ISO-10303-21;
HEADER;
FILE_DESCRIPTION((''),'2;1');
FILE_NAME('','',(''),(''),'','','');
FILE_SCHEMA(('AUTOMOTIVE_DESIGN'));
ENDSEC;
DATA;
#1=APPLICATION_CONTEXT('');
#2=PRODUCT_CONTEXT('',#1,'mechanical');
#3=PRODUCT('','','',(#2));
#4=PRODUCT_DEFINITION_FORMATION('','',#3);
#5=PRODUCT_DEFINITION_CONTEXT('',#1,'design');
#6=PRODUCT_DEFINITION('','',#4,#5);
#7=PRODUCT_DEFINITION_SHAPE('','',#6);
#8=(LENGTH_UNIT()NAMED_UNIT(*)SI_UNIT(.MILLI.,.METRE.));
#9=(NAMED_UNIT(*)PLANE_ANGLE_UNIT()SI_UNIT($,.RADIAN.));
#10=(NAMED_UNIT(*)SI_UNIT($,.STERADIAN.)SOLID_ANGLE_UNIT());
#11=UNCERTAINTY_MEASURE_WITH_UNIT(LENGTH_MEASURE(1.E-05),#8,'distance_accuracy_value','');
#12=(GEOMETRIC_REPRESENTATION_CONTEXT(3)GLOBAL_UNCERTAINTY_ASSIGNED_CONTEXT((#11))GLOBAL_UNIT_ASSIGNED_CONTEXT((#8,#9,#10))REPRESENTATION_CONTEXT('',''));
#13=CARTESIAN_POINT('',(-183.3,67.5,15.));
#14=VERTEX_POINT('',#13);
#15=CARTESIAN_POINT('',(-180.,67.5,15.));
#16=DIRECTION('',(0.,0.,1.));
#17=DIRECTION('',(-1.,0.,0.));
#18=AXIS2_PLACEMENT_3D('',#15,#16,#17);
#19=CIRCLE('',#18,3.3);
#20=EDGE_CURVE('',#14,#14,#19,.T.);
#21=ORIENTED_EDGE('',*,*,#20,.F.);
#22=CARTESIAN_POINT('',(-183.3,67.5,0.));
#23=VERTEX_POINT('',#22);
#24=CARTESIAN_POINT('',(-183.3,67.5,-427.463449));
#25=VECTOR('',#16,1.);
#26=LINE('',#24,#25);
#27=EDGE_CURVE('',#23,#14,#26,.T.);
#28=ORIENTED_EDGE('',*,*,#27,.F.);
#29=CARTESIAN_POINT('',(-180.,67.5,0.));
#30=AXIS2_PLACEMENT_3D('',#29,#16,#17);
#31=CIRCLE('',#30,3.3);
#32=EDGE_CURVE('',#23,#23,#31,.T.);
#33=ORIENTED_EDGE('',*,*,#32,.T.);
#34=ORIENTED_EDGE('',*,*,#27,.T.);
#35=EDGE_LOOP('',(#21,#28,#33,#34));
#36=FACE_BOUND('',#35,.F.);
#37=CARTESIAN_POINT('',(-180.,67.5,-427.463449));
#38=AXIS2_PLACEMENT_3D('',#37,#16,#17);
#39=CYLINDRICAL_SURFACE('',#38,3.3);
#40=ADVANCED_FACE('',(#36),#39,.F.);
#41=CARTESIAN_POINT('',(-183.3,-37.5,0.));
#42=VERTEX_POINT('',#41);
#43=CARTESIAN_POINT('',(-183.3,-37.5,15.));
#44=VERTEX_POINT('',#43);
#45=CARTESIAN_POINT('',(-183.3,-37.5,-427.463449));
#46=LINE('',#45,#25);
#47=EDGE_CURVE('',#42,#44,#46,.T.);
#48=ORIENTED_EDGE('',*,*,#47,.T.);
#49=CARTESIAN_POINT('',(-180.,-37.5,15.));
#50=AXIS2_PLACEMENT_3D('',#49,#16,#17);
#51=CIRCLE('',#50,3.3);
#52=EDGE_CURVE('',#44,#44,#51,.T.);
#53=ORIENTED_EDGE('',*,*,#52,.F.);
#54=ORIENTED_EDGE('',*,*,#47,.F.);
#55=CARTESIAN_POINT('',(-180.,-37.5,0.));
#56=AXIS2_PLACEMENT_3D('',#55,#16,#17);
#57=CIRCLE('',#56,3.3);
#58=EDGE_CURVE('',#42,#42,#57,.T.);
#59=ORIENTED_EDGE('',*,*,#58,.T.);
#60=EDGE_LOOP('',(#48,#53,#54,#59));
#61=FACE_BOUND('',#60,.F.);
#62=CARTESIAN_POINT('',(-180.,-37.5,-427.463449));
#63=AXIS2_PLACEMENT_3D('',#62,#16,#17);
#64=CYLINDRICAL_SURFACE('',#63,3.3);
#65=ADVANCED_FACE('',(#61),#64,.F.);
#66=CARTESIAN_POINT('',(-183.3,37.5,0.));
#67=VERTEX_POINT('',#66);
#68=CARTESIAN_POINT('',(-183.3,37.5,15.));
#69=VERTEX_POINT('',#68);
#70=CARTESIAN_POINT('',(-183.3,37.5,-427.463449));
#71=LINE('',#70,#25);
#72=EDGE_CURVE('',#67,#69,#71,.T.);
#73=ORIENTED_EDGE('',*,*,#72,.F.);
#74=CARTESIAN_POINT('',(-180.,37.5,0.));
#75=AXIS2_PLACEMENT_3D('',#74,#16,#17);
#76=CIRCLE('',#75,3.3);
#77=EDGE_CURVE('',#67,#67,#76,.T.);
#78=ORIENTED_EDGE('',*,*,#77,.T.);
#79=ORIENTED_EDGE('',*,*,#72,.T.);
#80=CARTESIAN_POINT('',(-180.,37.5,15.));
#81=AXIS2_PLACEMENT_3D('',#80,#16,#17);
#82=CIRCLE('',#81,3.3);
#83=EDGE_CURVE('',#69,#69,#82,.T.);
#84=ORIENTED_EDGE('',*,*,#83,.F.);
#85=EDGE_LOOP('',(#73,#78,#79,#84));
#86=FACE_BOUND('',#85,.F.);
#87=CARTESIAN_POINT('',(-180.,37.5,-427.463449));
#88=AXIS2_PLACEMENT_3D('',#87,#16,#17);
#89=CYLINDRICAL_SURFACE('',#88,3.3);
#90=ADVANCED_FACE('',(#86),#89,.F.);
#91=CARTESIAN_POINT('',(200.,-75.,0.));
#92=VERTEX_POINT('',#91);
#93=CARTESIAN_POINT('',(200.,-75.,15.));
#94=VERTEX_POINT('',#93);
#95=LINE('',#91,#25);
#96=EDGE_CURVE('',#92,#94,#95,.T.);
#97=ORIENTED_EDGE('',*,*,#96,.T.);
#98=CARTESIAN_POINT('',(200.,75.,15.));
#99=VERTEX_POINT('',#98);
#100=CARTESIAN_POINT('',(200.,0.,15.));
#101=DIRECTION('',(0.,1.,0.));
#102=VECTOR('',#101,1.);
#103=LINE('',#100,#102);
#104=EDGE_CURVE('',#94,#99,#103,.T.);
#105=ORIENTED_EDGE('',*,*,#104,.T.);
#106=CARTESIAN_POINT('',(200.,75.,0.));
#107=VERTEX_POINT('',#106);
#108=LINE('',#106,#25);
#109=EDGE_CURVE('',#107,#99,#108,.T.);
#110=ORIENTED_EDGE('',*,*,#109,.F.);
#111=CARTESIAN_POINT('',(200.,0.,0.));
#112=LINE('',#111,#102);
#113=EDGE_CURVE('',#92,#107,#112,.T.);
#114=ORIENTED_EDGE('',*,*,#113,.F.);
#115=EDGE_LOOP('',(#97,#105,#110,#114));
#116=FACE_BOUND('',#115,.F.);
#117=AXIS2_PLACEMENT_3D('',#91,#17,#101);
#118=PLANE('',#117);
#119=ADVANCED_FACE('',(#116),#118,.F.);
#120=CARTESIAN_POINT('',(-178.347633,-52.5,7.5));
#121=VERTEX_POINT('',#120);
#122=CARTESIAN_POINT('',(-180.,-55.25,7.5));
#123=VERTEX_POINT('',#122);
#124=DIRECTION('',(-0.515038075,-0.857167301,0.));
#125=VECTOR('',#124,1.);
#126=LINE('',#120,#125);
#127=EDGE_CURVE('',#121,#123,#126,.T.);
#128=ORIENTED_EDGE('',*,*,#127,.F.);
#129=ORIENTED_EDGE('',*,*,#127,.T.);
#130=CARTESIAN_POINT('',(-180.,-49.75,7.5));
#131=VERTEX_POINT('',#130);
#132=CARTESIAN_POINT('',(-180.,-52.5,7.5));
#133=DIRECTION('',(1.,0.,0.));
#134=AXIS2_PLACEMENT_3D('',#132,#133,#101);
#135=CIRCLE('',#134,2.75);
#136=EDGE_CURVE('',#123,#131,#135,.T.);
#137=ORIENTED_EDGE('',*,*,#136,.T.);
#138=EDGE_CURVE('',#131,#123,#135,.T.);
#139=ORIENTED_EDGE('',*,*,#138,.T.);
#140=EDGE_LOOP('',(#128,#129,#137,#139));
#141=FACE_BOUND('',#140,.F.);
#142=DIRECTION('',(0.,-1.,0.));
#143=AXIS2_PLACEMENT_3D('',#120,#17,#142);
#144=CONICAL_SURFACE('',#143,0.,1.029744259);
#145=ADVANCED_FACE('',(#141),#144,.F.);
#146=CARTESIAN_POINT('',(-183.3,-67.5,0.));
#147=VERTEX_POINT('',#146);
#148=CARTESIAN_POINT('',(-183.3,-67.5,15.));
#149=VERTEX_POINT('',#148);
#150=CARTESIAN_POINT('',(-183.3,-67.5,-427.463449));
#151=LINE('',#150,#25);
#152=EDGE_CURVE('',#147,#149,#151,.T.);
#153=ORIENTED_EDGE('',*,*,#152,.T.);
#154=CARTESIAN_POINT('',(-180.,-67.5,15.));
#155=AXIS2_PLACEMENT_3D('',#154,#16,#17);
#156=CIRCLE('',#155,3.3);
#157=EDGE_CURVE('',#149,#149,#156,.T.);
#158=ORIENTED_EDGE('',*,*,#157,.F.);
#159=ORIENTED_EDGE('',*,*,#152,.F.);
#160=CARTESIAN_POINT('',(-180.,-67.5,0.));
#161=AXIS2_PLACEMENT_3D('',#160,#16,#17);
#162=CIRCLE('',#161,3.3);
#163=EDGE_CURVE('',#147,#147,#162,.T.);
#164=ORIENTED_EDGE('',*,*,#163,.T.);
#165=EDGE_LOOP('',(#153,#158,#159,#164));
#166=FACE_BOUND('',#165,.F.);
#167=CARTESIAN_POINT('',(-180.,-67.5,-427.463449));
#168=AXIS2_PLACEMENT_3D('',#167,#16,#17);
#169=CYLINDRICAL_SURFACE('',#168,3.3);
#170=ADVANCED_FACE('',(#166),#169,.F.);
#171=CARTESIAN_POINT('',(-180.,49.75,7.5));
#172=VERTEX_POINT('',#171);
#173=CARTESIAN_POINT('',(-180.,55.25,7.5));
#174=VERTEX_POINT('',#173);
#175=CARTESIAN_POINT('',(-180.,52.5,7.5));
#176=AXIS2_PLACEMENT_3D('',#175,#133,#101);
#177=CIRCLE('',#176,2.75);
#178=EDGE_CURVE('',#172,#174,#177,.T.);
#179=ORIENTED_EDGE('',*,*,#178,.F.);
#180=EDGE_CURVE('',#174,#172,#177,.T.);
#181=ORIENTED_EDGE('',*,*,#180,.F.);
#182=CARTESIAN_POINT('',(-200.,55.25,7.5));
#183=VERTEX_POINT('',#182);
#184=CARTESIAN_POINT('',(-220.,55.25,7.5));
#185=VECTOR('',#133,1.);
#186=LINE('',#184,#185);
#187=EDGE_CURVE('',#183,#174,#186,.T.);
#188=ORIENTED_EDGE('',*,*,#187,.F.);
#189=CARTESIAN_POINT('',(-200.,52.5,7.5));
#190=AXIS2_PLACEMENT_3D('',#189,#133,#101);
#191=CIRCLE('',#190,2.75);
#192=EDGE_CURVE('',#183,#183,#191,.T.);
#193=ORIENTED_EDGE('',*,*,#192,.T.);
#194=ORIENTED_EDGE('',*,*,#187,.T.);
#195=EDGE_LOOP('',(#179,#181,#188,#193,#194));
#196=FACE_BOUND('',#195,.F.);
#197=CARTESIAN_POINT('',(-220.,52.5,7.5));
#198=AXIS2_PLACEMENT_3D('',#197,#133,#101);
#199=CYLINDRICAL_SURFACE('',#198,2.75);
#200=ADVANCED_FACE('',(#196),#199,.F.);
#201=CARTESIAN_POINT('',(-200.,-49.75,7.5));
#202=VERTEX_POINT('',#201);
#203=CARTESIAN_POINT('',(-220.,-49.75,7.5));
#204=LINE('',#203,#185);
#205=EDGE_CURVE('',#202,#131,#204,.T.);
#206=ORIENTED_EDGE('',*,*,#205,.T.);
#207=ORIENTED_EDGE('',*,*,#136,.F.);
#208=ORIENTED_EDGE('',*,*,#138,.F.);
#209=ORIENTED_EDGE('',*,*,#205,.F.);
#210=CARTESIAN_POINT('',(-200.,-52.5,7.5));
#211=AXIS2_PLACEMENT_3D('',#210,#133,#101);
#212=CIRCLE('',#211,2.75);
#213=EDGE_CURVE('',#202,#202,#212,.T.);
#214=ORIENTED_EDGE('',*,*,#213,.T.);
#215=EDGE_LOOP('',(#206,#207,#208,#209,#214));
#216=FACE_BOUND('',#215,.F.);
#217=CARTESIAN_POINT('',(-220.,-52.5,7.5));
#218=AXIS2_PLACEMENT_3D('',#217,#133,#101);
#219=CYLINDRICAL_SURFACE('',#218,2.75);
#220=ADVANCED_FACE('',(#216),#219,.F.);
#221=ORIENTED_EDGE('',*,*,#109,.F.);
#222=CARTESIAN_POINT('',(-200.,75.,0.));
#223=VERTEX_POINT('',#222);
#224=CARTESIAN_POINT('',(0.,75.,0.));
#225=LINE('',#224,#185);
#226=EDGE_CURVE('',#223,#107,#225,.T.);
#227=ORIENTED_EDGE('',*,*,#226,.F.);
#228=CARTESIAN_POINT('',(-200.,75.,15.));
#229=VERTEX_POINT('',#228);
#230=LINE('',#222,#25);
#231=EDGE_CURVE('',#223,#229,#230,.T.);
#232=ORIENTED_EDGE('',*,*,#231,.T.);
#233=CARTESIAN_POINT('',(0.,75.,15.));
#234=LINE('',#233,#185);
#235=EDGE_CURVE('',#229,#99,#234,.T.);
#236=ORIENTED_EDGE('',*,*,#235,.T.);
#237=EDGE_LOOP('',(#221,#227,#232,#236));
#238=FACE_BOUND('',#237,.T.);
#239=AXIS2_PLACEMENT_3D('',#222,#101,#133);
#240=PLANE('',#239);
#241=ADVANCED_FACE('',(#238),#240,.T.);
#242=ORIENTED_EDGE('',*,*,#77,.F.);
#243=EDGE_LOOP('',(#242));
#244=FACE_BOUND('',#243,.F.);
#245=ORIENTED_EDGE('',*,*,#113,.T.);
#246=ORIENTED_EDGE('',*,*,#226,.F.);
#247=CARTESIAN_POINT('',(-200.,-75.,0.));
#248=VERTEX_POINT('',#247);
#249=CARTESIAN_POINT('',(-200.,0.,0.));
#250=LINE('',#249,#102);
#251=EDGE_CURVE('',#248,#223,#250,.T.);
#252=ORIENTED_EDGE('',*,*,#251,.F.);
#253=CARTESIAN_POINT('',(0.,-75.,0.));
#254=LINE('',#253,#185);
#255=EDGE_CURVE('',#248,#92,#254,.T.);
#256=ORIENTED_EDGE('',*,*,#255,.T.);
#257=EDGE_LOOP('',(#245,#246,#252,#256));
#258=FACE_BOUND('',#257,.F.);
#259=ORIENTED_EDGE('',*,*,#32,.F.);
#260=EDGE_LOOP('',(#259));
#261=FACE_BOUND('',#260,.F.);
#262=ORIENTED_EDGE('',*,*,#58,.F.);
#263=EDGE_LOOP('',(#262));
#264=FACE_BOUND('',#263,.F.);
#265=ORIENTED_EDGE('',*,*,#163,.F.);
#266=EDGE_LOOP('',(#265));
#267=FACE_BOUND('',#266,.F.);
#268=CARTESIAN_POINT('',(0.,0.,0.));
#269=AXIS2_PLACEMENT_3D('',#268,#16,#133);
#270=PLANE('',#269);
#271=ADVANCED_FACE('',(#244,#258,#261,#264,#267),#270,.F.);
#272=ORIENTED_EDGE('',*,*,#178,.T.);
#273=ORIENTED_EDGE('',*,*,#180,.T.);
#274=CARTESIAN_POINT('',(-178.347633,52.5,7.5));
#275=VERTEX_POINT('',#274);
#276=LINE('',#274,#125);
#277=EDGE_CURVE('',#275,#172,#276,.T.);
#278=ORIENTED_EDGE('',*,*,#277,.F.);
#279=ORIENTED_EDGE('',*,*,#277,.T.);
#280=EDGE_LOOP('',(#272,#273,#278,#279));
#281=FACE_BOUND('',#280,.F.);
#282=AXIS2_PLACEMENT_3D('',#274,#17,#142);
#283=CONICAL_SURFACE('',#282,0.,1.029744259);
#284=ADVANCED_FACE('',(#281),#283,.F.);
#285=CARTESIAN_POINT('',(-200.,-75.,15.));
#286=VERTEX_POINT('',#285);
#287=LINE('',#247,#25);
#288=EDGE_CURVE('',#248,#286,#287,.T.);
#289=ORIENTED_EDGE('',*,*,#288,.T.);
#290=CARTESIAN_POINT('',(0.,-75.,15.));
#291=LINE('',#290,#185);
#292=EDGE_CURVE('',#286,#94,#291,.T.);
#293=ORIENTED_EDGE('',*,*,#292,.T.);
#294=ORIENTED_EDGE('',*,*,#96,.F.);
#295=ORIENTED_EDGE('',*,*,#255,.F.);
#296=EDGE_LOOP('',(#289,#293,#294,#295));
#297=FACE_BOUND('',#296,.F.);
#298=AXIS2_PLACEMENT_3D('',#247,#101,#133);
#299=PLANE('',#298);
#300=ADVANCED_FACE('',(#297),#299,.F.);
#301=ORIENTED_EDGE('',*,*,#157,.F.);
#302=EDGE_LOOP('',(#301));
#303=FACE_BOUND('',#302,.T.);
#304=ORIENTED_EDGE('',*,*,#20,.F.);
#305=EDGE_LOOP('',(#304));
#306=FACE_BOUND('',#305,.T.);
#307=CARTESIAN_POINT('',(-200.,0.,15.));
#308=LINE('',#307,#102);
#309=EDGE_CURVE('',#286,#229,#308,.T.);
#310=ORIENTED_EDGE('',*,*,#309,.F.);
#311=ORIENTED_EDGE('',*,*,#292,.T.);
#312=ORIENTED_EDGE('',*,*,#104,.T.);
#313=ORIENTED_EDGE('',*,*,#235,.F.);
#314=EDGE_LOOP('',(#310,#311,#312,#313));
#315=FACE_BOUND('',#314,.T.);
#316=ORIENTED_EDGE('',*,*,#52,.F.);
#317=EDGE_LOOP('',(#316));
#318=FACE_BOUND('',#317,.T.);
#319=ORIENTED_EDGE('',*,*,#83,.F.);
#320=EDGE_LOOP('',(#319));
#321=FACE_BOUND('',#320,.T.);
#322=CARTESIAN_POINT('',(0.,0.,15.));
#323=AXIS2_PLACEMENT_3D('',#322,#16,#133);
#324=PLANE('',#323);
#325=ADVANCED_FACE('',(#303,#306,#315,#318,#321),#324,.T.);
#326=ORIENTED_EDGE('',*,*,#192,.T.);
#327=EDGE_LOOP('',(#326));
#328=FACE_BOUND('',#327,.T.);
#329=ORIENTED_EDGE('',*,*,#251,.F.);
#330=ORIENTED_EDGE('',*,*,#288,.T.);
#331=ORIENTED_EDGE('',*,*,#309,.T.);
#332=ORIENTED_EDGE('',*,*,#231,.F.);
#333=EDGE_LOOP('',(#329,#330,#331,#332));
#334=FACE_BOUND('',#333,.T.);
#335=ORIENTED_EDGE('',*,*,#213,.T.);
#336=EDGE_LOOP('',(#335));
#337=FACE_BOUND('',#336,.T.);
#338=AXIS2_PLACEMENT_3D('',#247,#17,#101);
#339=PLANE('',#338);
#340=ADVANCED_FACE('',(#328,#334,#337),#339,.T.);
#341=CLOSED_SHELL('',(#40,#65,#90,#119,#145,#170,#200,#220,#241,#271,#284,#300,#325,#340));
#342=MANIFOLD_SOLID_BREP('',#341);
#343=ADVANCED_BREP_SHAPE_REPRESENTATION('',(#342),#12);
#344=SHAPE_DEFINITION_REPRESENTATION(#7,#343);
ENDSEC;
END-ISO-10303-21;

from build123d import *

# Parameters (mm, degrees)
F0_W     = 400
F0_H     = 150
F1_DEPTH = 15
F2_D     = 6.6
F4_D     = 5.5
F4_DEPTH = 20
F4_TIP   = 1.6523667023


with BuildPart() as f1:
    # F0 (on Top) → F1 (new body)
    with BuildSketch(Plane.XY):
        Rectangle(F0_W, F0_H)
    extrude(amount=F1_DEPTH)

    # F2 (through all)
    with Locations(Plane(origin=(0, 0, 0), x_dir=(1, 0, 0), z_dir=(0, 0, -1))):
        with Locations((-180, -37.5), (-180, -67.5), (-180, 37.5), (-180, 67.5)):
            Hole(F2_D / 2)

    # F4
    with Locations(Plane(origin=(-200, 0, 0), x_dir=(0, -1, 0), z_dir=(-1, 0, 0))):
        with Locations((-52.5, 7.5), (52.5, 7.5)):
            Hole(F4_D / 2, depth=F4_DEPTH)
            with Locations((0, 0, -(F4_DEPTH + F4_TIP / 2))):  # 118° drill point
                Cone(0, F4_D / 2, F4_TIP, mode=Mode.SUBTRACT)


solid = f1.part
